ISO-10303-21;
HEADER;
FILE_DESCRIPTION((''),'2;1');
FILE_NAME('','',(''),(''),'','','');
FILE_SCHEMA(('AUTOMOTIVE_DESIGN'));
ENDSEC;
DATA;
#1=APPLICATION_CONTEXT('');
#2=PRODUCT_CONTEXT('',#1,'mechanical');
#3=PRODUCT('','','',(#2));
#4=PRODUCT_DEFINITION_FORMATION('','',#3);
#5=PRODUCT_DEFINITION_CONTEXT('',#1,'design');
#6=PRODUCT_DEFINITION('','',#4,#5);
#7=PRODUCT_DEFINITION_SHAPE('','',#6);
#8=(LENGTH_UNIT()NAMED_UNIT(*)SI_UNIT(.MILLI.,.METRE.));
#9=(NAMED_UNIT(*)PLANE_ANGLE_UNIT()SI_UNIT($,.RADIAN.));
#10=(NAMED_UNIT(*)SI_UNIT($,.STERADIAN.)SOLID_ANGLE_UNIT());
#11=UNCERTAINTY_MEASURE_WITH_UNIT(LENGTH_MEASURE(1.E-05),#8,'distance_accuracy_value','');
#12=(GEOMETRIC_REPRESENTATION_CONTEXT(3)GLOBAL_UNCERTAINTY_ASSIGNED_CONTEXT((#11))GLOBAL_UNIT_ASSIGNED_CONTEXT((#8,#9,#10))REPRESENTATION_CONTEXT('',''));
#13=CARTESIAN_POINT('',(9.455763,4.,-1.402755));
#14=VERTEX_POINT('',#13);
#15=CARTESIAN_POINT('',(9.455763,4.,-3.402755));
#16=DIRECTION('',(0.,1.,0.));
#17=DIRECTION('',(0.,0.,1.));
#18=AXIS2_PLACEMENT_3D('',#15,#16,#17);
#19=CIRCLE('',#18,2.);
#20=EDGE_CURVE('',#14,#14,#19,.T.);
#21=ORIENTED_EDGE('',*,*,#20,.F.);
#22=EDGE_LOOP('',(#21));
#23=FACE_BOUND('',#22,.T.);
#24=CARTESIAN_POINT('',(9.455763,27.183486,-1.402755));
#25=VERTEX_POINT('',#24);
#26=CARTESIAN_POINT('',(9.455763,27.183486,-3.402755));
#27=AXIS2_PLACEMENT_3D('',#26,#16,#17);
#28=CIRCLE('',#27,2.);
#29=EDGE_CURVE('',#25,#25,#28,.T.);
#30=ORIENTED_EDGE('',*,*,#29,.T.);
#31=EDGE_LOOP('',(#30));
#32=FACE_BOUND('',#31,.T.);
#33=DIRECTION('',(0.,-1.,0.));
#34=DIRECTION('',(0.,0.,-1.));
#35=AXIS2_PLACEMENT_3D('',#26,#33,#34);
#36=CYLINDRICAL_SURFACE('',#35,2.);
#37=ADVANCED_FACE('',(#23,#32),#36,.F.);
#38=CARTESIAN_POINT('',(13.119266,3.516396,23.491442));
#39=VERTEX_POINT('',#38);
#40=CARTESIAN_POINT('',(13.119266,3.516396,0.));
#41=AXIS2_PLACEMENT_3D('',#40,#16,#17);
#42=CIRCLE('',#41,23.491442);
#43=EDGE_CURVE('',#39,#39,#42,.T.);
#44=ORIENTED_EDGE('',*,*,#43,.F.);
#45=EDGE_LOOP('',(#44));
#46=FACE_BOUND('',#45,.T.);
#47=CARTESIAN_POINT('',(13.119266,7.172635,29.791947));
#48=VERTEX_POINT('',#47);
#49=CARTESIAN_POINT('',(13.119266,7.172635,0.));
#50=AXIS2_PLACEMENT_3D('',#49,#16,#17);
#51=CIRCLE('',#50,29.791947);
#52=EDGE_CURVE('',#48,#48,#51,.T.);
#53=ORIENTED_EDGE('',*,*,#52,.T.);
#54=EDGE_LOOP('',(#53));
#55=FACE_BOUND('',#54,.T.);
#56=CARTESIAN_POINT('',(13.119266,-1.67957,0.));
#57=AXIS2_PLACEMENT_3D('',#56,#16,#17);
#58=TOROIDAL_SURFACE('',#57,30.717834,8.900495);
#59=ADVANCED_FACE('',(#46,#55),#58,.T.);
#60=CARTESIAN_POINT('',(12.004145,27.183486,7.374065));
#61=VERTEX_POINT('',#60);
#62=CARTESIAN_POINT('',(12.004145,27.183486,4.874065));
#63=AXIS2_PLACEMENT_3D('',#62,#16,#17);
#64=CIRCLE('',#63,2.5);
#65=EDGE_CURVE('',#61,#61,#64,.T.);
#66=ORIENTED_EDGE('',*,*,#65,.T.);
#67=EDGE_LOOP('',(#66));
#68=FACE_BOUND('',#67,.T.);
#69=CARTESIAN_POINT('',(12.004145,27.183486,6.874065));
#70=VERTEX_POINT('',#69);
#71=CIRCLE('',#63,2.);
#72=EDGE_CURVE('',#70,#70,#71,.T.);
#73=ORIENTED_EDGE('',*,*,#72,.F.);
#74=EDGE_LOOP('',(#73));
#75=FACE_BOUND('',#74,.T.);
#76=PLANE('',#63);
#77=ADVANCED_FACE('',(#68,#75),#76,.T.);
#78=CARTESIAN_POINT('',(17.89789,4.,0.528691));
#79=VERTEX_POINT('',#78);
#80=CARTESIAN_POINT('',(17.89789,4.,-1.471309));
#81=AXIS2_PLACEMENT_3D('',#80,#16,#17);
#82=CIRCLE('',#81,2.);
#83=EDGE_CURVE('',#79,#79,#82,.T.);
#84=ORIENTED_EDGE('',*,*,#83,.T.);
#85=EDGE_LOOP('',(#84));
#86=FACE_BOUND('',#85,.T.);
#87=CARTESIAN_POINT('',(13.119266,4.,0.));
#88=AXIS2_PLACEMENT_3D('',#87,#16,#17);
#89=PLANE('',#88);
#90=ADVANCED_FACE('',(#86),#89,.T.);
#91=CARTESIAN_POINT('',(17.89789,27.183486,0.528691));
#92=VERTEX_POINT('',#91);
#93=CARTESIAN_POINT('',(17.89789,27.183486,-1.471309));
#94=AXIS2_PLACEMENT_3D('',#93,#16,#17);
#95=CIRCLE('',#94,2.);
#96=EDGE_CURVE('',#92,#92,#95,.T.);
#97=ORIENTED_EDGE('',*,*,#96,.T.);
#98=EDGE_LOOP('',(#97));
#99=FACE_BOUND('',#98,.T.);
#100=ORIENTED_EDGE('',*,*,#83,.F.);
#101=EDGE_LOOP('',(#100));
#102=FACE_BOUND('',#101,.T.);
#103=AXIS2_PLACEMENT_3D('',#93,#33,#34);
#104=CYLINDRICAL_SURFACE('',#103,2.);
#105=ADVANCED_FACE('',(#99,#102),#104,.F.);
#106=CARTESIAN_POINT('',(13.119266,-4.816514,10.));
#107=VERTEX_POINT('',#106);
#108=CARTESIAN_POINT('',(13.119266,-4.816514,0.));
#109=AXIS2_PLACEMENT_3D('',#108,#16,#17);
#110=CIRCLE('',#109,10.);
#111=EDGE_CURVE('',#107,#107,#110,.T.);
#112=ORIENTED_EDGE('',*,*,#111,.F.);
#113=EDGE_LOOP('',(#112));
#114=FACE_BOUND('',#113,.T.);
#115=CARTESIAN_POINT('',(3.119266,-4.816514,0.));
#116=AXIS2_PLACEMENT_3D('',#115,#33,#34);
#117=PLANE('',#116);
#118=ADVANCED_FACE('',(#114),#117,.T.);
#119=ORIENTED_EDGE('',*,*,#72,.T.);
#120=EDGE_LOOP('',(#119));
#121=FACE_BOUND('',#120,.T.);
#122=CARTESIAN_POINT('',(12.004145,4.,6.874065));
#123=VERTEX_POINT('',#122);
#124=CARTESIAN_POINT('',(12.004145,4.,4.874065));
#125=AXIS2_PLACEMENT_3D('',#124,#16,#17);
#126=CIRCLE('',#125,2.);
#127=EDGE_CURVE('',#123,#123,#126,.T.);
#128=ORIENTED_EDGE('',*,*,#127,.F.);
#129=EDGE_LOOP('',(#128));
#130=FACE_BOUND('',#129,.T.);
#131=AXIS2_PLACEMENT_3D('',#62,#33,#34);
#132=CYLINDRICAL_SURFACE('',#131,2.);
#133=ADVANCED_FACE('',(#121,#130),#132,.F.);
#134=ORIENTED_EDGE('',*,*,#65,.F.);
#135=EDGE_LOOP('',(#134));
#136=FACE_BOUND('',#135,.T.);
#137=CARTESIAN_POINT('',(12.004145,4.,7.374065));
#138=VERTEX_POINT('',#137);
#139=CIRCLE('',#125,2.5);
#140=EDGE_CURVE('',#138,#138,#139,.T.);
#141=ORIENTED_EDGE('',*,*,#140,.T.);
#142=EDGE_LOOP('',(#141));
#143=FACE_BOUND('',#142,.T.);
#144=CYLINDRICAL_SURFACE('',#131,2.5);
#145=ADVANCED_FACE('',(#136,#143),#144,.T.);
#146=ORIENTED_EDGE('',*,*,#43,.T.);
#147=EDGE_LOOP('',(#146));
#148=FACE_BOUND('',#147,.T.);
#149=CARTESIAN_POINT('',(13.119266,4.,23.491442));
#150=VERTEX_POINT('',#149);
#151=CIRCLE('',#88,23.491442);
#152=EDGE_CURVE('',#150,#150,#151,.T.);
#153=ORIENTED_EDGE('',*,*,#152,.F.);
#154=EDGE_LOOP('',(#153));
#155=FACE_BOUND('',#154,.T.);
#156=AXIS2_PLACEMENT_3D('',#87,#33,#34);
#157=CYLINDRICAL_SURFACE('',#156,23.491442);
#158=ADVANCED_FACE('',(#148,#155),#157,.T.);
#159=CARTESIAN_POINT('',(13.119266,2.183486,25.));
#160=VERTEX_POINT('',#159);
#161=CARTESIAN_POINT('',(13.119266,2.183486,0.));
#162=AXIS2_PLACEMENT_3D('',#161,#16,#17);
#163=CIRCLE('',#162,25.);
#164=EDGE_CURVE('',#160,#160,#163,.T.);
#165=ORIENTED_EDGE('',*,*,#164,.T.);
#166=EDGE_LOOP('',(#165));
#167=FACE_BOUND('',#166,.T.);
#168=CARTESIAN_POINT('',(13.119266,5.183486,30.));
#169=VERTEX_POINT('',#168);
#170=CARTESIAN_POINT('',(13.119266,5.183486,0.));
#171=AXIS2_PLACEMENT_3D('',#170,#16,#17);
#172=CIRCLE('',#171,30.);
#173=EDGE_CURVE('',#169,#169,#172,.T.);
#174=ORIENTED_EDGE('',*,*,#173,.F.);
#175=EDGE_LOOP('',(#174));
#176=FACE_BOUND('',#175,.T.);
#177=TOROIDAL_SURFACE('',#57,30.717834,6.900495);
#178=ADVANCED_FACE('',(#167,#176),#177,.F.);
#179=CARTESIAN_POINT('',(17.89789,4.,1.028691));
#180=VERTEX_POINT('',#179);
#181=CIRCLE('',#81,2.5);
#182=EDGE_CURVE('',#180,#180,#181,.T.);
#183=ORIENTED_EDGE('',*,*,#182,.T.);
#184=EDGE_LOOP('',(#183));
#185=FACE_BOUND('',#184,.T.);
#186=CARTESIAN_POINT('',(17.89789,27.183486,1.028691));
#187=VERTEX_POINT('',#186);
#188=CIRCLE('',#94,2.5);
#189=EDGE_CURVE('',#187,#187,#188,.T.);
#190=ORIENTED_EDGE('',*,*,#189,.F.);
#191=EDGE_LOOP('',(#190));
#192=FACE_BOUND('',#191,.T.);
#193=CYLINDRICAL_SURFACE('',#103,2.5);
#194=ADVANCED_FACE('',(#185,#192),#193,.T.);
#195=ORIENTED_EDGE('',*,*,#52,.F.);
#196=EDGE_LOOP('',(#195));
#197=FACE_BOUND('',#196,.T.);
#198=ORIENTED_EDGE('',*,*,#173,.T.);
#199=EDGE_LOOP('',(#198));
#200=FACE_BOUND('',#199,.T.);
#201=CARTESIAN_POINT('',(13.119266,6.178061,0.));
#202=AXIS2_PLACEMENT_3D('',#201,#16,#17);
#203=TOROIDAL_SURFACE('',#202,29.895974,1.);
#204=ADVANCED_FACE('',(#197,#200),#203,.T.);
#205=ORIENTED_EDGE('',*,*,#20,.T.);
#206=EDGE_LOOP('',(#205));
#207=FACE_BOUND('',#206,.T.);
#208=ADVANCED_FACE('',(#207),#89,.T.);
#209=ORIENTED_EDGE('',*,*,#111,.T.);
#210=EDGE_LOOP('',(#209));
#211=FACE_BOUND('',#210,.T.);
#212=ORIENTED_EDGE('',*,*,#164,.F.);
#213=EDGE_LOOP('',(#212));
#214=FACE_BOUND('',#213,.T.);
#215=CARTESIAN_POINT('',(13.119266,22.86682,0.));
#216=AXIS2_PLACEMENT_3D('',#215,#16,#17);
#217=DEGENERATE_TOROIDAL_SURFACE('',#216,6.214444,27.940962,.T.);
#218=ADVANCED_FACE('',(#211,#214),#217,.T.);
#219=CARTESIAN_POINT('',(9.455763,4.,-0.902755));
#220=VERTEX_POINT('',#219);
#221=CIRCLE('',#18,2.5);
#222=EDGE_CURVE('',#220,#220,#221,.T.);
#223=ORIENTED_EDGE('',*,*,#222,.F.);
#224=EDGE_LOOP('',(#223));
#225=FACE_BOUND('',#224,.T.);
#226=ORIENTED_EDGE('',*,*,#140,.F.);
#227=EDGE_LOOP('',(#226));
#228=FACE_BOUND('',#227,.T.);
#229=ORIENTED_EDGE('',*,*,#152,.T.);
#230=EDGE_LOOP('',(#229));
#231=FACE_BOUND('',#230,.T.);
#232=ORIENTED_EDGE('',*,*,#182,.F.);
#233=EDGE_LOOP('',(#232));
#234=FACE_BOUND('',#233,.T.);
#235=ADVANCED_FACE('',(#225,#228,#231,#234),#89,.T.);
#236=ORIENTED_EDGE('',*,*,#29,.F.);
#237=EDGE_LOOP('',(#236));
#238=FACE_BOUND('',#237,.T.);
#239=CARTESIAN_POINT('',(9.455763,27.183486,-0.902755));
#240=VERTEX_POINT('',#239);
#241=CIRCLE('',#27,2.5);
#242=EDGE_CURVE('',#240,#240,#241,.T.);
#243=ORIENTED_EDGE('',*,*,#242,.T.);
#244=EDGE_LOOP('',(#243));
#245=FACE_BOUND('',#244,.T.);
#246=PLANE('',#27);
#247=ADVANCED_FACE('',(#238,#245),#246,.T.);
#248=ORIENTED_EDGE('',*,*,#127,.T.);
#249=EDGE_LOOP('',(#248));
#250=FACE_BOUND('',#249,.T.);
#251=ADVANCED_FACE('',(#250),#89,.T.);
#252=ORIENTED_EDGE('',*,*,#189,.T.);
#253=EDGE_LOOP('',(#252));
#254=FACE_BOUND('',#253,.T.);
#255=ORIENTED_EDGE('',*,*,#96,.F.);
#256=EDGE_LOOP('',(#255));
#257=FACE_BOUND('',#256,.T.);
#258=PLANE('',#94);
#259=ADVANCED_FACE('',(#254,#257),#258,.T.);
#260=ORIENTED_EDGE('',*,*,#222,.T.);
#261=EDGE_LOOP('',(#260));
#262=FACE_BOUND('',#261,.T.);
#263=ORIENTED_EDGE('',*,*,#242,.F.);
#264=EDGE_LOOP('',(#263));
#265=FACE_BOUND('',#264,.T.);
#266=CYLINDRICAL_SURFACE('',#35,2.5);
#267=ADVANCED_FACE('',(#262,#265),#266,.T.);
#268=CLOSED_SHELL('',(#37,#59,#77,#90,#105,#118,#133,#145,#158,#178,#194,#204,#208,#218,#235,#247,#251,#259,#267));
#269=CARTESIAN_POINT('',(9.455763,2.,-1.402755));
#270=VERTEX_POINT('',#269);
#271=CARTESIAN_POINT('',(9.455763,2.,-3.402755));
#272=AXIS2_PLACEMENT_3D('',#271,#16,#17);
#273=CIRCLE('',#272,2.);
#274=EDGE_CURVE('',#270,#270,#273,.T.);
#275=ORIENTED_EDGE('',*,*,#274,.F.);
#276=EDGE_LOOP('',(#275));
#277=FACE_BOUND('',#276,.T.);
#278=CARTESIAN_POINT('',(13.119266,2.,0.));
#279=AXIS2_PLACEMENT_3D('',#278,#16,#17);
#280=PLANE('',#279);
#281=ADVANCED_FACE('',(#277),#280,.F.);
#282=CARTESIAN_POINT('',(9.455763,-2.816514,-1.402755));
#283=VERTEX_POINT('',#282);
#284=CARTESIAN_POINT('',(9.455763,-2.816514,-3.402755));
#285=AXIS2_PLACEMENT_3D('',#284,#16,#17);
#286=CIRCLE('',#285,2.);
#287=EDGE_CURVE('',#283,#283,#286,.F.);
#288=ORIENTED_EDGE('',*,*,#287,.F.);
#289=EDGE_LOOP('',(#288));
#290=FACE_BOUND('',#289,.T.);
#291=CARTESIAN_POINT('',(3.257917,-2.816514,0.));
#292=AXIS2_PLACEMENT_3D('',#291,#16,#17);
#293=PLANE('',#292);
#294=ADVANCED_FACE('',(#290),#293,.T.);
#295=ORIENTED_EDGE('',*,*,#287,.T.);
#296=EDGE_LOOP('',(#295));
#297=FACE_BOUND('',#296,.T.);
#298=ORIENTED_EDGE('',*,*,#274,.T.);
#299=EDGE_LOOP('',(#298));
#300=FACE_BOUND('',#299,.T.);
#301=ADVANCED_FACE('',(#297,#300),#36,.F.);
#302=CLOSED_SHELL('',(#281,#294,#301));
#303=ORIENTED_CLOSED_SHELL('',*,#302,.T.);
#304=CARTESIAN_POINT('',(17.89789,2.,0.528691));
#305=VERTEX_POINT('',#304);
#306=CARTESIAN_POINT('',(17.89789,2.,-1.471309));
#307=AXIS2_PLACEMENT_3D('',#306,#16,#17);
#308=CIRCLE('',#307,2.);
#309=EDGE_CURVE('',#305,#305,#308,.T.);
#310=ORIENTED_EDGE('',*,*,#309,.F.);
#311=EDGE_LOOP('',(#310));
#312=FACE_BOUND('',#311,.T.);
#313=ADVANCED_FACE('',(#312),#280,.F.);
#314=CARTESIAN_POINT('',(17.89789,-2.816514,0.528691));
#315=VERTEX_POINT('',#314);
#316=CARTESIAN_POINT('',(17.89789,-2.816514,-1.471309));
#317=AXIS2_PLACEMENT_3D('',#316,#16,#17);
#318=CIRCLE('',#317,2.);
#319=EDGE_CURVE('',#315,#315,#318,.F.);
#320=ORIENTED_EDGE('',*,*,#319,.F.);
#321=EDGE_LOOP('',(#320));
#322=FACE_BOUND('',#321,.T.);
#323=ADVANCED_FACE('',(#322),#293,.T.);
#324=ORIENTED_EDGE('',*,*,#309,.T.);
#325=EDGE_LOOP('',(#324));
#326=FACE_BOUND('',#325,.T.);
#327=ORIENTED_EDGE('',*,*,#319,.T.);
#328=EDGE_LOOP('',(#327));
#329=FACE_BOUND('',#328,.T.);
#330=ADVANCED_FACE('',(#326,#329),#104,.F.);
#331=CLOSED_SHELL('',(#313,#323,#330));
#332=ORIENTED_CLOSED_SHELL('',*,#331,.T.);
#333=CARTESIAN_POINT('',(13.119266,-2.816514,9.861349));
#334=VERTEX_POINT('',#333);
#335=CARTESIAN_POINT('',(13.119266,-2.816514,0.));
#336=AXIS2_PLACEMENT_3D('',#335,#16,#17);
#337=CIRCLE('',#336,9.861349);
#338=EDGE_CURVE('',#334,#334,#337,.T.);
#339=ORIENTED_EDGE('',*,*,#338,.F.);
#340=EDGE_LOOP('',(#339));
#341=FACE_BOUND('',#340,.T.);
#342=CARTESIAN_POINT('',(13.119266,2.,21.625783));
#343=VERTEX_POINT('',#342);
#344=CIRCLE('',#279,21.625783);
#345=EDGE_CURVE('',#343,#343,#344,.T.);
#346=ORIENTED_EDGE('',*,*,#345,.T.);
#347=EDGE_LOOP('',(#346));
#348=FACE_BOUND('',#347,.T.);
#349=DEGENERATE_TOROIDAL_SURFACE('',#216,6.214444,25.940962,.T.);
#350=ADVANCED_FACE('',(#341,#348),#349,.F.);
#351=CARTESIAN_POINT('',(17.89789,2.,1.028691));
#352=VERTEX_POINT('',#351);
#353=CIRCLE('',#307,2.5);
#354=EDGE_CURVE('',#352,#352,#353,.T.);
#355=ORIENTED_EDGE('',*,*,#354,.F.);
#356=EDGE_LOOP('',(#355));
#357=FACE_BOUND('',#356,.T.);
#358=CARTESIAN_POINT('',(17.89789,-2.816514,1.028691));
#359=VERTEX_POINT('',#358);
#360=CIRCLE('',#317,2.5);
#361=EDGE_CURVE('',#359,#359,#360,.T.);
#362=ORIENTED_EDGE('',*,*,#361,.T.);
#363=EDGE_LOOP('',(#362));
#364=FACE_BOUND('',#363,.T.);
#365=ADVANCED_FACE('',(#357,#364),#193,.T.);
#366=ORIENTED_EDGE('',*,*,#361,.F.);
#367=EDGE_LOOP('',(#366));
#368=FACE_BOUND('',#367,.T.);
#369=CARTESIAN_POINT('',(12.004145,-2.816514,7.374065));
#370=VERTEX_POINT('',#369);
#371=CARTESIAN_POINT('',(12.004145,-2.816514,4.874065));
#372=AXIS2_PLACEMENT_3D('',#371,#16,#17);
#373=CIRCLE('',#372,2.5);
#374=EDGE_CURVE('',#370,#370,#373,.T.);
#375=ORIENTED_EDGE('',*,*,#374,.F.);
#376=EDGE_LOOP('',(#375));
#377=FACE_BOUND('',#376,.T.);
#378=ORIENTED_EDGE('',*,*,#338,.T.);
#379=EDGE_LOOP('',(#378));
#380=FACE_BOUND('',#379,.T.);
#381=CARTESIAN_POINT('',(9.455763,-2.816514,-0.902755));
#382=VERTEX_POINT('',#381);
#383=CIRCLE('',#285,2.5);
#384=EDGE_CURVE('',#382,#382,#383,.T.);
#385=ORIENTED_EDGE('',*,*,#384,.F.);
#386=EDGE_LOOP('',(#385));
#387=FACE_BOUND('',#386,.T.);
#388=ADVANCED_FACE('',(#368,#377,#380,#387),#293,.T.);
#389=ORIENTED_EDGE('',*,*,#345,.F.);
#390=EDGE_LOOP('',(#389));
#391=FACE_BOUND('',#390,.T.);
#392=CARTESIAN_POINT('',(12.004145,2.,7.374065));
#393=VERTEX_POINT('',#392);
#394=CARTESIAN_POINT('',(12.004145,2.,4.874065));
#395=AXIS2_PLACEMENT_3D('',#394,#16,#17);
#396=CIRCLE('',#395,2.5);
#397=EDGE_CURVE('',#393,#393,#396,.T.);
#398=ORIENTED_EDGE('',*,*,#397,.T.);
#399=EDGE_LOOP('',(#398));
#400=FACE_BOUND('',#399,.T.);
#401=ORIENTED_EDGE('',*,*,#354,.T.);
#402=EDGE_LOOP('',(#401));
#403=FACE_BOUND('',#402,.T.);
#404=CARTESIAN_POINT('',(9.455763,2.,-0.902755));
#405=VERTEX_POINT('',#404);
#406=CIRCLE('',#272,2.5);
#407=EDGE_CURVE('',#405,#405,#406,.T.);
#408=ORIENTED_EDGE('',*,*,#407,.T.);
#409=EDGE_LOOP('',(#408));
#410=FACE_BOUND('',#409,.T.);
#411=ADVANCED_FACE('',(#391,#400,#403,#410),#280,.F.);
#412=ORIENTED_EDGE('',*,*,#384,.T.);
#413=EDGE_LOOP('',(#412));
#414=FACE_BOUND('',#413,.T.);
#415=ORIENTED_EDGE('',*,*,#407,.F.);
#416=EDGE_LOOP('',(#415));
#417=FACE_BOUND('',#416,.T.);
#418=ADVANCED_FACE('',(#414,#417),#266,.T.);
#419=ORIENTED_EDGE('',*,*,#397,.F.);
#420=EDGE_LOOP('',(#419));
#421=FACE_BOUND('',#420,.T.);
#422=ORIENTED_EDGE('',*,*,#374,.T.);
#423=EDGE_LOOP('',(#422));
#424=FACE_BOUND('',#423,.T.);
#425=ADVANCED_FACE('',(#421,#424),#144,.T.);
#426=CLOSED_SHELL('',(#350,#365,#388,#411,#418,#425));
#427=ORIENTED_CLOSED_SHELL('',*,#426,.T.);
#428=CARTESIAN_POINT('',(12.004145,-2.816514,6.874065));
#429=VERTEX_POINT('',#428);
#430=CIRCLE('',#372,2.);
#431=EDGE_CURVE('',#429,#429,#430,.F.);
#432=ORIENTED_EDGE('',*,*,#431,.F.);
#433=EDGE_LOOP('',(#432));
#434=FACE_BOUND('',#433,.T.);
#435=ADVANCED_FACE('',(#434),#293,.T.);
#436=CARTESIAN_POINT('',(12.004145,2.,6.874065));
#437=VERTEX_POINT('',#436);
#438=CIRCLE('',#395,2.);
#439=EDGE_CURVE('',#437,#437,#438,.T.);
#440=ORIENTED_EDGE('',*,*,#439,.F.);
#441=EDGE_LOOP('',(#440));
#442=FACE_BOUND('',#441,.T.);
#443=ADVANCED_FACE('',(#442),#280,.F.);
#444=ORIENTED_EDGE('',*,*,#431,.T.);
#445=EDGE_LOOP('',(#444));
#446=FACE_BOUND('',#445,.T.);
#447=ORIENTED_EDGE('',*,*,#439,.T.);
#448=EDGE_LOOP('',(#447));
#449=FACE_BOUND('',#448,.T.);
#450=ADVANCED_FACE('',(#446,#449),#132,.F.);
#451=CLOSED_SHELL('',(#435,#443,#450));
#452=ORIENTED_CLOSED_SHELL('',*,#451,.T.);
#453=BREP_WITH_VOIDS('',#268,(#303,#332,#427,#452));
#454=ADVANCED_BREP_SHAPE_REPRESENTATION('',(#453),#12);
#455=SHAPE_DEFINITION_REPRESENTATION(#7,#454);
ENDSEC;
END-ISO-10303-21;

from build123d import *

# Parameters (mm, degrees)
SKETCH2_R           = 2.5
SKETCH2_R_2         = 2
BOSS_EXTRUDE2_DEPTH = 30
SKETCH4_R           = 23.491441723
BOSS_EXTRUDE4_DEPTH = 2


with BuildPart() as part:
    # Sketch1 → Revolve1 (revolve)
    with BuildSketch(Plane.XY, mode=Mode.PRIVATE) as revolve1_sk:
        with BuildLine():
            Line((3.119266055, -4.816513761), (13.119266055, -4.816513761))
            Line((13.119266055, -4.816513761), (13.119266055, -2.816513761))
            Line((13.119266055, -2.816513761), (3.257916771, -2.816513761))
            ThreePointArc((3.257916771, -2.816513761), (-4.025816821, -0.658797724), (-10.372175668, 3.516396035))
            ThreePointArc((-10.372175668, 3.516396035), (-13.131249362, 6.018603225), (-16.672681055, 7.172635302))
            ThreePointArc((-16.672681055, 7.172635302), (-17.771282031, 6.282087215), (-16.880733945, 5.183486239))
            ThreePointArc((-16.880733945, 5.183486239), (-14.048292509, 4.237555299), (-11.880733945, 2.183486239))
            ThreePointArc((-11.880733945, 2.183486239), (-4.911005239, -2.452809391), (3.119266055, -4.816513761))
        make_face()
    revolve(revolve1_sk.sketch.rotate(Axis((13.119266055, -2.816513761, 0), (0, -1, 0)), 270), axis=Axis((13.119266055, -2.816513761, 0), (0, -1, 0)))

    # Sketch2 → Boss-Extrude2 (add)
    # profile 1 of 3: a face of its own
    with BuildSketch(Plane(origin=(0, -2.816513761, 0), x_dir=(1, 0, 0), z_dir=(0, 1, 0))):
        with Locations(Location((9.455762685, 3.402755216, 0), (0, 0, 270))):
            Circle(SKETCH2_R)
        with Locations(Location((9.455762685, 3.402755216, 0), (0, 0, 270))):
            Circle(SKETCH2_R_2, mode=Mode.SUBTRACT)
    # profile 2 of 3: a face of its own
    with BuildSketch(Plane(origin=(0, -2.816513761, 0), x_dir=(1, 0, 0), z_dir=(0, 1, 0))):
        with Locations(Location((17.8978902, 1.471309377, 0), (0, 0, 270))):
            Circle(SKETCH2_R)
        with Locations(Location((17.8978902, 1.471309377, 0), (0, 0, 270))):
            Circle(SKETCH2_R_2, mode=Mode.SUBTRACT)
    # profile 3 of 3: a face of its own
    with BuildSketch(Plane(origin=(0, -2.816513761, 0), x_dir=(1, 0, 0), z_dir=(0, 1, 0))):
        with Locations(Location((12.00414528, -4.874064593, 0), (0, 0, 270))):
            Circle(SKETCH2_R)
        with Locations(Location((12.00414528, -4.874064593, 0), (0, 0, 270))):
            Circle(SKETCH2_R_2, mode=Mode.SUBTRACT)
    extrude(amount=BOSS_EXTRUDE2_DEPTH)

    # Sketch4 → Boss-Extrude4 (add)
    with BuildSketch(Plane(origin=(0, 2, 0), x_dir=(1, 0, 0), z_dir=(0, 1, 0))):
        with Locations(Location((13.119266055, 0, 0), (0, 0, 270))):
            Circle(SKETCH4_R)
    extrude(amount=BOSS_EXTRUDE4_DEPTH)


solid = part.part
